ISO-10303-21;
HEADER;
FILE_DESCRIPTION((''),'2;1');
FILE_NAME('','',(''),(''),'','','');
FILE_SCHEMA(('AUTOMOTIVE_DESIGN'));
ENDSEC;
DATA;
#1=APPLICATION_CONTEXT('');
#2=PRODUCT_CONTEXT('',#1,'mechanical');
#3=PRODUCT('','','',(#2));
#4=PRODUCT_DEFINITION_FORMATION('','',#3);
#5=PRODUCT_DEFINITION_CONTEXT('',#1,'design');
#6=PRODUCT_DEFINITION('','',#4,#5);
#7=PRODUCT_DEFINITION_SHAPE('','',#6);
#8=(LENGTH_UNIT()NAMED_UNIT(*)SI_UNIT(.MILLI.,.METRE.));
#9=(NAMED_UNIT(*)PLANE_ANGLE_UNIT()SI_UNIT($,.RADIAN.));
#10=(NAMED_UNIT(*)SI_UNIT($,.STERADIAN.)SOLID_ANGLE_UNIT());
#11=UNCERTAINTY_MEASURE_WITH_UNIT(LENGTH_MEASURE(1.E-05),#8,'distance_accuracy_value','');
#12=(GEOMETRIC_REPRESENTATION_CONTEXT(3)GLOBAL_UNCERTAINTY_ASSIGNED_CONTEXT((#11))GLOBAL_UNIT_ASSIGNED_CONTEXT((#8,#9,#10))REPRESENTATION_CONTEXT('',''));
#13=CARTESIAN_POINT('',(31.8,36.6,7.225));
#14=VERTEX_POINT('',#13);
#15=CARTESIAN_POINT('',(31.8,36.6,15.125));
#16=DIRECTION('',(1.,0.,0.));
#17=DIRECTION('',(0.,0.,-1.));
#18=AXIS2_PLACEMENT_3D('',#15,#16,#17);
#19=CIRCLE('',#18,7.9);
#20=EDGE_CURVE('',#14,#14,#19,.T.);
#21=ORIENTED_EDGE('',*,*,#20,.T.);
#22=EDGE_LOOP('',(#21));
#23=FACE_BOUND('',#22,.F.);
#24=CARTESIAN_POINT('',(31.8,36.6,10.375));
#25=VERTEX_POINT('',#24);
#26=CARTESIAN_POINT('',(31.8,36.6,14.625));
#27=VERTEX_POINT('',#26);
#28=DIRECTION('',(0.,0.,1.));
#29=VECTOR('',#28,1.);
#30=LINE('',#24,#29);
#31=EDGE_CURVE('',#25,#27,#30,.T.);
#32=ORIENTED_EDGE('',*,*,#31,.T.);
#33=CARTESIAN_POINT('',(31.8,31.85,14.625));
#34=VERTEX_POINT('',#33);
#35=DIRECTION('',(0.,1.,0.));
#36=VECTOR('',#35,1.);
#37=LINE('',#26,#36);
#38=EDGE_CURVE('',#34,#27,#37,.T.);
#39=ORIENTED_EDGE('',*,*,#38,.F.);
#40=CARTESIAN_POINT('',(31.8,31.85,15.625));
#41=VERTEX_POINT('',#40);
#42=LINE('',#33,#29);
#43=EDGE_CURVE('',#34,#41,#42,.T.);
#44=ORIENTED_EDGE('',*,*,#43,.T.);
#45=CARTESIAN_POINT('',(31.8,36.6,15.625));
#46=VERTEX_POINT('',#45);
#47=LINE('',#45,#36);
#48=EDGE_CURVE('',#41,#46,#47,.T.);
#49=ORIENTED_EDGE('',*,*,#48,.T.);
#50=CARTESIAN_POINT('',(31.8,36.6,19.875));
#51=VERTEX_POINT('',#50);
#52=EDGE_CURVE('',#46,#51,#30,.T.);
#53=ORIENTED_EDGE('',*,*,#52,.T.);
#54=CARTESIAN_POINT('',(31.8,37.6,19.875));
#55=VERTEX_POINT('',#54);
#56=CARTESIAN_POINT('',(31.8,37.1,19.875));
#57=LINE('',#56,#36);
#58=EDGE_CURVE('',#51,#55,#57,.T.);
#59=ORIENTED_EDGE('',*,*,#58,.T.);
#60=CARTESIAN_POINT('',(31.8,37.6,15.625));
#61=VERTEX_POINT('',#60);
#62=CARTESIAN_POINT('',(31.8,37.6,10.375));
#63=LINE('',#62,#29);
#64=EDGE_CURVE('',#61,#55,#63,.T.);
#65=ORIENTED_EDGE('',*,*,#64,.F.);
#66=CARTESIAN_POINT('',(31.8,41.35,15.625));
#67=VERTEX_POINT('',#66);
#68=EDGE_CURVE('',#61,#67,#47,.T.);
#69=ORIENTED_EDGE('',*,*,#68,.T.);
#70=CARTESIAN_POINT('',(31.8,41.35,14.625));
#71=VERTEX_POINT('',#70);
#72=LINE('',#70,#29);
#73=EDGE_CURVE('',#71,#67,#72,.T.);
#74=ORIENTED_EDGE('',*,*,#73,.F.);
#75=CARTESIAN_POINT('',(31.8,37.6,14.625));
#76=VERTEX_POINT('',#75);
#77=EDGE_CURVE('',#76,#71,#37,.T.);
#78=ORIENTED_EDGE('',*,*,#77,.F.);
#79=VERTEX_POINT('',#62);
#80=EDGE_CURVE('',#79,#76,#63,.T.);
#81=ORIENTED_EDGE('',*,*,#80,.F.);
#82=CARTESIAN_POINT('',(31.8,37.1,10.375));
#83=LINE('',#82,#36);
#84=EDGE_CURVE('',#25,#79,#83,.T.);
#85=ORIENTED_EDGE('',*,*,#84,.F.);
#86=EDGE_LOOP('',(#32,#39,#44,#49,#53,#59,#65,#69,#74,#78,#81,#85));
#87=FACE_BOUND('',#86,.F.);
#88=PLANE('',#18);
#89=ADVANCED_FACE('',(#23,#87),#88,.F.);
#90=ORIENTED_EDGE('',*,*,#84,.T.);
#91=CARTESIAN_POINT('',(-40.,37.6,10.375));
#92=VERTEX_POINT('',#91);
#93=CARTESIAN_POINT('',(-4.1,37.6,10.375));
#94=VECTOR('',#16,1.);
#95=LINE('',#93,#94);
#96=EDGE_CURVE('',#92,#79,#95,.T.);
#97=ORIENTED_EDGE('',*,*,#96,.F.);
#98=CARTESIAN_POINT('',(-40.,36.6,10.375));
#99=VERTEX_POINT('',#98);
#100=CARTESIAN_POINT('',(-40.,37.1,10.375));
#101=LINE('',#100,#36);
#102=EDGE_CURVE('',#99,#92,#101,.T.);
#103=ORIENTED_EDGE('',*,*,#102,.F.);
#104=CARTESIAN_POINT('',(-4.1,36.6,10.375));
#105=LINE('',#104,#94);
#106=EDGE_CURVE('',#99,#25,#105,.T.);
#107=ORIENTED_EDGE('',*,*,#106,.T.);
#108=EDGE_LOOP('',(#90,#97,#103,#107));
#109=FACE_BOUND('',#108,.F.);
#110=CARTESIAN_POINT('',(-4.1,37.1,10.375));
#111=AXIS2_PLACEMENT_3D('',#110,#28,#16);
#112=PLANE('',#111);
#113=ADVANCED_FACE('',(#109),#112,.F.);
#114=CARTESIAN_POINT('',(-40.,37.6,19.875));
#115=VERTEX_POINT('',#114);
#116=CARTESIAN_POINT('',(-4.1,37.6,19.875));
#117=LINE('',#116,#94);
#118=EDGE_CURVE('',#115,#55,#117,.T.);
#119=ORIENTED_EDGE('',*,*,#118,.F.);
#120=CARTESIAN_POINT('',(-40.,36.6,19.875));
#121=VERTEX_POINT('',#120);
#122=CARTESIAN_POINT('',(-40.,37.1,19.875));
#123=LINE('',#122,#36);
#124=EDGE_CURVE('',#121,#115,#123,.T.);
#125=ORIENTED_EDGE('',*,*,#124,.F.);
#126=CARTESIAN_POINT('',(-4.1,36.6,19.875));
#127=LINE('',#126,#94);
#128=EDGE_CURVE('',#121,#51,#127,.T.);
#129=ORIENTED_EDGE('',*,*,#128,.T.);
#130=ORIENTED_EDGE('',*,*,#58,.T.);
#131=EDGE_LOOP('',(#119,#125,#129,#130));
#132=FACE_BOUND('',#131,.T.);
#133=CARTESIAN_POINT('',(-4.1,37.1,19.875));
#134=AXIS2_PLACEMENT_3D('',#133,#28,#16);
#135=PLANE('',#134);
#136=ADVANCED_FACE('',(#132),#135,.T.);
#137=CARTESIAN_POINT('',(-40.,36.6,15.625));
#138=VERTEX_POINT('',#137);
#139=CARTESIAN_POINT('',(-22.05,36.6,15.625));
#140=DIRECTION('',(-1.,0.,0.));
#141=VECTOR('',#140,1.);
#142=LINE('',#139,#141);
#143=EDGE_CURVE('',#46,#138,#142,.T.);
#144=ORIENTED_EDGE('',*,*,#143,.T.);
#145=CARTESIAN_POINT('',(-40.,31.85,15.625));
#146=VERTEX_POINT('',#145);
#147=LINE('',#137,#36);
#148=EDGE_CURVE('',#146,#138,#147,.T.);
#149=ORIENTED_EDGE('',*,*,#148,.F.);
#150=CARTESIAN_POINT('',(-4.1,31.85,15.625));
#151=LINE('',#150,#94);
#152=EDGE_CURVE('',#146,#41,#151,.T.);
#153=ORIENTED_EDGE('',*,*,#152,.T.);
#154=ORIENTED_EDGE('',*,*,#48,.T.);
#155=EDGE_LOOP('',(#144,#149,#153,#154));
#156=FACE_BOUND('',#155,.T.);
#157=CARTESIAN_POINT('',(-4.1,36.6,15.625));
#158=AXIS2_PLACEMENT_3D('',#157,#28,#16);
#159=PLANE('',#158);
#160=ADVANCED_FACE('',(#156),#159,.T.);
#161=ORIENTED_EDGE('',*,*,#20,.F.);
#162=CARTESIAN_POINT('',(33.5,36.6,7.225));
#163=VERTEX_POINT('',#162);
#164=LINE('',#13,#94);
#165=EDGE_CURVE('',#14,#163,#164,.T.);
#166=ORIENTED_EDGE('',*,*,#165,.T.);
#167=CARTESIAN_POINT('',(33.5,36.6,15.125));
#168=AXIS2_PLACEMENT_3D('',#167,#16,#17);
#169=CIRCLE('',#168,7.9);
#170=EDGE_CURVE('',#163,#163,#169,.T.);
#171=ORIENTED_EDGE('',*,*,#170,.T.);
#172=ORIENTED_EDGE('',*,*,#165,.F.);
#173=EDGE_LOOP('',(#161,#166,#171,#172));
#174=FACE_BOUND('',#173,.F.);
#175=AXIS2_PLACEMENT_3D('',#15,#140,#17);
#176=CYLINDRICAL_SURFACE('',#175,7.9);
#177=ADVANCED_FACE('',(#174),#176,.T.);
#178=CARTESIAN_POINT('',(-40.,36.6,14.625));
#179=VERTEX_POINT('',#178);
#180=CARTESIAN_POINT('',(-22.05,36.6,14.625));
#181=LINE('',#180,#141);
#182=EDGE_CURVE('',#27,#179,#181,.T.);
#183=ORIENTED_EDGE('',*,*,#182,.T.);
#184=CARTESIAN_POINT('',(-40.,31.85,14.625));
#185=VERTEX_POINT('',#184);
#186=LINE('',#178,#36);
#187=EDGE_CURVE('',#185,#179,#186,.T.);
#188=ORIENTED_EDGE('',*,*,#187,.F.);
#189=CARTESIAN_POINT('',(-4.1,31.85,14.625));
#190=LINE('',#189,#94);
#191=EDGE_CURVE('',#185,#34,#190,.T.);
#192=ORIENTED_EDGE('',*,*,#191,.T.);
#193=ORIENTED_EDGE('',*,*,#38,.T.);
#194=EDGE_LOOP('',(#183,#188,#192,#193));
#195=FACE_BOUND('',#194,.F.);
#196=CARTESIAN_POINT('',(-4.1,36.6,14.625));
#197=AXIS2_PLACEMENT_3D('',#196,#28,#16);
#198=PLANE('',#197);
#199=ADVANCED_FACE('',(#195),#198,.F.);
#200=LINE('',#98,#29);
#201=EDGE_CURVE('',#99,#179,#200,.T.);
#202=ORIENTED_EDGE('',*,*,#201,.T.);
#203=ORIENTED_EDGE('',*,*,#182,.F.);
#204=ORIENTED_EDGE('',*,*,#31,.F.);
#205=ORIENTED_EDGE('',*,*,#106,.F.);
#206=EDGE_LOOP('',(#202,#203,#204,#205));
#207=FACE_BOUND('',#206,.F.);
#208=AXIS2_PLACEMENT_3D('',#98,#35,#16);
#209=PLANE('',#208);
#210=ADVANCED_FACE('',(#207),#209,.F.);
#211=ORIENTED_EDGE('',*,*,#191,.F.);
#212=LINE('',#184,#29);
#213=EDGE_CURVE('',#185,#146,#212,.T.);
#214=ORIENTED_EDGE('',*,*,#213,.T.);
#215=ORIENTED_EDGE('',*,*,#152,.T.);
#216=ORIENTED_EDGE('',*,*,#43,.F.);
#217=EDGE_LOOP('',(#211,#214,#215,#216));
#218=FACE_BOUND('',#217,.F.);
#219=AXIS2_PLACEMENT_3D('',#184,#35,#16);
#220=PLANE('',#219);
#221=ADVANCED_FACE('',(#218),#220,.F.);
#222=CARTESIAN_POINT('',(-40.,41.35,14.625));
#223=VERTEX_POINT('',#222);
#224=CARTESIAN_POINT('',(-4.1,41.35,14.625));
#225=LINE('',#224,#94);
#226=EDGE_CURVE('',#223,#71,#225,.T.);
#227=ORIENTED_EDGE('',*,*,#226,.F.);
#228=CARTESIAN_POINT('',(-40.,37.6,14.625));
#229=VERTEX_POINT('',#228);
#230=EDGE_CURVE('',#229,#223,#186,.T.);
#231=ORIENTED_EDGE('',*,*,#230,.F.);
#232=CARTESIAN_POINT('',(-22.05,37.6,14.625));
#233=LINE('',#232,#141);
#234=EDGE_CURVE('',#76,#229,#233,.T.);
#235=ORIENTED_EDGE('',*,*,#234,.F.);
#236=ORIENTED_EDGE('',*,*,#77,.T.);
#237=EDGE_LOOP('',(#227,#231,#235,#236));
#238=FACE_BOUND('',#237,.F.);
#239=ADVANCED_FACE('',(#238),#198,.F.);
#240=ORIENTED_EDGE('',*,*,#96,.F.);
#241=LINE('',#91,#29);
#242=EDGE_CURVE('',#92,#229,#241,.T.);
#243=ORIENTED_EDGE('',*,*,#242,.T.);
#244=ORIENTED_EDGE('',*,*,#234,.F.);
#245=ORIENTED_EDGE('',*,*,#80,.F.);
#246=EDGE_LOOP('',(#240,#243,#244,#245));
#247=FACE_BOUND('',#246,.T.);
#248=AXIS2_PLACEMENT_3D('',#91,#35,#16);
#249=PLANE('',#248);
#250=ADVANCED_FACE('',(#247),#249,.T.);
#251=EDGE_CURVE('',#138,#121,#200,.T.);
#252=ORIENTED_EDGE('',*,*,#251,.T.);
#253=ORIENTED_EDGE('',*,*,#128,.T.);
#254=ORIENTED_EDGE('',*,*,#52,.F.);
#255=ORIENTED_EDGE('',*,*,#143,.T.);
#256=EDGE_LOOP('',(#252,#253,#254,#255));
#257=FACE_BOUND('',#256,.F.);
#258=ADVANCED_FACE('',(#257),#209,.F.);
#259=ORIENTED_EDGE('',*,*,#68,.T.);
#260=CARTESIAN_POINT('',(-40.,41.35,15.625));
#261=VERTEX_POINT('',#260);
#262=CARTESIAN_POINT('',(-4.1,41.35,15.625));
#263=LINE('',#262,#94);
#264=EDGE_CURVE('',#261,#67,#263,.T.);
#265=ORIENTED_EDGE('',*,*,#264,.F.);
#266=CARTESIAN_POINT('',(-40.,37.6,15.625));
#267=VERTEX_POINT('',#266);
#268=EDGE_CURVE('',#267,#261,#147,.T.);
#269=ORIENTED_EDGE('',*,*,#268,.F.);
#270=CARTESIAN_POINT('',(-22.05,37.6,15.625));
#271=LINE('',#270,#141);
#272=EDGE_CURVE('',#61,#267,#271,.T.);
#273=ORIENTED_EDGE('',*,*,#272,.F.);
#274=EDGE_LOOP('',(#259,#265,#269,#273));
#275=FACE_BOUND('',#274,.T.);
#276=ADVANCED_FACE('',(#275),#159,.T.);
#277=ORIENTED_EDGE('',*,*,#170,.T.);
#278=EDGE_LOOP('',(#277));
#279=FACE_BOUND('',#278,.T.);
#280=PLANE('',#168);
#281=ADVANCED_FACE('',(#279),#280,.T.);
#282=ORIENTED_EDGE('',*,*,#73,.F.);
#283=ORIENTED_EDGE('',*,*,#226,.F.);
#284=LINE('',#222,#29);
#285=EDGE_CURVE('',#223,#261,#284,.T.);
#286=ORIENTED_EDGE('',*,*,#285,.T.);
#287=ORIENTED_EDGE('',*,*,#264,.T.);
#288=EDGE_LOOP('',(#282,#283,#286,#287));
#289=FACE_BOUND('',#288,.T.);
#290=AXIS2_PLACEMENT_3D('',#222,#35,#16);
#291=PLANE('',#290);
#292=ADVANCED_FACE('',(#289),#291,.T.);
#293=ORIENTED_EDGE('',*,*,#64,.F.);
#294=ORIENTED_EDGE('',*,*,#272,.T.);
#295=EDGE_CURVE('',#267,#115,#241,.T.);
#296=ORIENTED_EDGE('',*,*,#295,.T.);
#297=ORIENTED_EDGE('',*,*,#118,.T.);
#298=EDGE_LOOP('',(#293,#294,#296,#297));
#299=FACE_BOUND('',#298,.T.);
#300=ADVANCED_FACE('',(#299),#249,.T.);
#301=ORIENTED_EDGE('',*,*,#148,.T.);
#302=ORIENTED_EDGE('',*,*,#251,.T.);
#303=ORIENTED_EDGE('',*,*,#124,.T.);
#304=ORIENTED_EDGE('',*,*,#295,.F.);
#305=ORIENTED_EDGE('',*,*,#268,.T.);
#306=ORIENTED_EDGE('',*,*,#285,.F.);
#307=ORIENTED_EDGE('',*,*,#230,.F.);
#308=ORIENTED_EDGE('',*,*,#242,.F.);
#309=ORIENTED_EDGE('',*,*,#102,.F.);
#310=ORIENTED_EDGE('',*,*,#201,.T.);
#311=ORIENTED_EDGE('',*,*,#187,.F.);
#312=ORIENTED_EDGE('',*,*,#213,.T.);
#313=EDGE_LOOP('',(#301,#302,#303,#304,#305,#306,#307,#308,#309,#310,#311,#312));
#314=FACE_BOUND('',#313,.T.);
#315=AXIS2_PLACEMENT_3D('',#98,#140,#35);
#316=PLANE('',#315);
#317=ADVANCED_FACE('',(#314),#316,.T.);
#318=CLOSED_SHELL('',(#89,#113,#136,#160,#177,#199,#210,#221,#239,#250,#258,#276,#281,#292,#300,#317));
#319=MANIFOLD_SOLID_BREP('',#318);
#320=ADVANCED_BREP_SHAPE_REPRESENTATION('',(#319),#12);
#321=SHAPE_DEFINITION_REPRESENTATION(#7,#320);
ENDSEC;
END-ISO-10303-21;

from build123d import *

# Parameters (mm, degrees)
BOX001_W          = 71.8
BOX001_H          = 1
BOX001_DEPTH      = 9.5
CYLINDER004_R     = 7.9
CYLINDER004_DEPTH = 1.7
BOX_W             = 71.8
BOX_H             = 9.5
BOX_DEPTH         = 1


with BuildPart() as syr_plane2:
    # Box001 → Box001 (new body)
    with BuildSketch(Plane(origin=(-40, 36.6, 10.375), x_dir=(1, 0, 0), z_dir=(0, 0, 1))):
        with Locations((35.9, 0.5)):
            Rectangle(BOX001_W, BOX001_H)
    extrude(amount=BOX001_DEPTH)


with BuildPart() as syr_head:
    # Cylinder004 → Cylinder004 (new body)
    with BuildSketch(Plane(origin=(31.8, 36.6, 15.125), x_dir=(0, 0, -1), z_dir=(1, 0, 0))):
        Circle(CYLINDER004_R)
    extrude(amount=CYLINDER004_DEPTH)


with BuildPart() as fusion015:
    # Box → Box (new body)
    with BuildSketch(Plane(origin=(-40, 31.85, 14.625), x_dir=(1, 0, 0), z_dir=(0, 0, 1))):
        with Locations((35.9, 4.75)):
            Rectangle(BOX_W, BOX_H)
    extrude(amount=BOX_DEPTH)

    # Fusion015: union syr_plane2, syr_head
    add(syr_plane2.part)
    add(syr_head.part)


solid = fusion015.part
